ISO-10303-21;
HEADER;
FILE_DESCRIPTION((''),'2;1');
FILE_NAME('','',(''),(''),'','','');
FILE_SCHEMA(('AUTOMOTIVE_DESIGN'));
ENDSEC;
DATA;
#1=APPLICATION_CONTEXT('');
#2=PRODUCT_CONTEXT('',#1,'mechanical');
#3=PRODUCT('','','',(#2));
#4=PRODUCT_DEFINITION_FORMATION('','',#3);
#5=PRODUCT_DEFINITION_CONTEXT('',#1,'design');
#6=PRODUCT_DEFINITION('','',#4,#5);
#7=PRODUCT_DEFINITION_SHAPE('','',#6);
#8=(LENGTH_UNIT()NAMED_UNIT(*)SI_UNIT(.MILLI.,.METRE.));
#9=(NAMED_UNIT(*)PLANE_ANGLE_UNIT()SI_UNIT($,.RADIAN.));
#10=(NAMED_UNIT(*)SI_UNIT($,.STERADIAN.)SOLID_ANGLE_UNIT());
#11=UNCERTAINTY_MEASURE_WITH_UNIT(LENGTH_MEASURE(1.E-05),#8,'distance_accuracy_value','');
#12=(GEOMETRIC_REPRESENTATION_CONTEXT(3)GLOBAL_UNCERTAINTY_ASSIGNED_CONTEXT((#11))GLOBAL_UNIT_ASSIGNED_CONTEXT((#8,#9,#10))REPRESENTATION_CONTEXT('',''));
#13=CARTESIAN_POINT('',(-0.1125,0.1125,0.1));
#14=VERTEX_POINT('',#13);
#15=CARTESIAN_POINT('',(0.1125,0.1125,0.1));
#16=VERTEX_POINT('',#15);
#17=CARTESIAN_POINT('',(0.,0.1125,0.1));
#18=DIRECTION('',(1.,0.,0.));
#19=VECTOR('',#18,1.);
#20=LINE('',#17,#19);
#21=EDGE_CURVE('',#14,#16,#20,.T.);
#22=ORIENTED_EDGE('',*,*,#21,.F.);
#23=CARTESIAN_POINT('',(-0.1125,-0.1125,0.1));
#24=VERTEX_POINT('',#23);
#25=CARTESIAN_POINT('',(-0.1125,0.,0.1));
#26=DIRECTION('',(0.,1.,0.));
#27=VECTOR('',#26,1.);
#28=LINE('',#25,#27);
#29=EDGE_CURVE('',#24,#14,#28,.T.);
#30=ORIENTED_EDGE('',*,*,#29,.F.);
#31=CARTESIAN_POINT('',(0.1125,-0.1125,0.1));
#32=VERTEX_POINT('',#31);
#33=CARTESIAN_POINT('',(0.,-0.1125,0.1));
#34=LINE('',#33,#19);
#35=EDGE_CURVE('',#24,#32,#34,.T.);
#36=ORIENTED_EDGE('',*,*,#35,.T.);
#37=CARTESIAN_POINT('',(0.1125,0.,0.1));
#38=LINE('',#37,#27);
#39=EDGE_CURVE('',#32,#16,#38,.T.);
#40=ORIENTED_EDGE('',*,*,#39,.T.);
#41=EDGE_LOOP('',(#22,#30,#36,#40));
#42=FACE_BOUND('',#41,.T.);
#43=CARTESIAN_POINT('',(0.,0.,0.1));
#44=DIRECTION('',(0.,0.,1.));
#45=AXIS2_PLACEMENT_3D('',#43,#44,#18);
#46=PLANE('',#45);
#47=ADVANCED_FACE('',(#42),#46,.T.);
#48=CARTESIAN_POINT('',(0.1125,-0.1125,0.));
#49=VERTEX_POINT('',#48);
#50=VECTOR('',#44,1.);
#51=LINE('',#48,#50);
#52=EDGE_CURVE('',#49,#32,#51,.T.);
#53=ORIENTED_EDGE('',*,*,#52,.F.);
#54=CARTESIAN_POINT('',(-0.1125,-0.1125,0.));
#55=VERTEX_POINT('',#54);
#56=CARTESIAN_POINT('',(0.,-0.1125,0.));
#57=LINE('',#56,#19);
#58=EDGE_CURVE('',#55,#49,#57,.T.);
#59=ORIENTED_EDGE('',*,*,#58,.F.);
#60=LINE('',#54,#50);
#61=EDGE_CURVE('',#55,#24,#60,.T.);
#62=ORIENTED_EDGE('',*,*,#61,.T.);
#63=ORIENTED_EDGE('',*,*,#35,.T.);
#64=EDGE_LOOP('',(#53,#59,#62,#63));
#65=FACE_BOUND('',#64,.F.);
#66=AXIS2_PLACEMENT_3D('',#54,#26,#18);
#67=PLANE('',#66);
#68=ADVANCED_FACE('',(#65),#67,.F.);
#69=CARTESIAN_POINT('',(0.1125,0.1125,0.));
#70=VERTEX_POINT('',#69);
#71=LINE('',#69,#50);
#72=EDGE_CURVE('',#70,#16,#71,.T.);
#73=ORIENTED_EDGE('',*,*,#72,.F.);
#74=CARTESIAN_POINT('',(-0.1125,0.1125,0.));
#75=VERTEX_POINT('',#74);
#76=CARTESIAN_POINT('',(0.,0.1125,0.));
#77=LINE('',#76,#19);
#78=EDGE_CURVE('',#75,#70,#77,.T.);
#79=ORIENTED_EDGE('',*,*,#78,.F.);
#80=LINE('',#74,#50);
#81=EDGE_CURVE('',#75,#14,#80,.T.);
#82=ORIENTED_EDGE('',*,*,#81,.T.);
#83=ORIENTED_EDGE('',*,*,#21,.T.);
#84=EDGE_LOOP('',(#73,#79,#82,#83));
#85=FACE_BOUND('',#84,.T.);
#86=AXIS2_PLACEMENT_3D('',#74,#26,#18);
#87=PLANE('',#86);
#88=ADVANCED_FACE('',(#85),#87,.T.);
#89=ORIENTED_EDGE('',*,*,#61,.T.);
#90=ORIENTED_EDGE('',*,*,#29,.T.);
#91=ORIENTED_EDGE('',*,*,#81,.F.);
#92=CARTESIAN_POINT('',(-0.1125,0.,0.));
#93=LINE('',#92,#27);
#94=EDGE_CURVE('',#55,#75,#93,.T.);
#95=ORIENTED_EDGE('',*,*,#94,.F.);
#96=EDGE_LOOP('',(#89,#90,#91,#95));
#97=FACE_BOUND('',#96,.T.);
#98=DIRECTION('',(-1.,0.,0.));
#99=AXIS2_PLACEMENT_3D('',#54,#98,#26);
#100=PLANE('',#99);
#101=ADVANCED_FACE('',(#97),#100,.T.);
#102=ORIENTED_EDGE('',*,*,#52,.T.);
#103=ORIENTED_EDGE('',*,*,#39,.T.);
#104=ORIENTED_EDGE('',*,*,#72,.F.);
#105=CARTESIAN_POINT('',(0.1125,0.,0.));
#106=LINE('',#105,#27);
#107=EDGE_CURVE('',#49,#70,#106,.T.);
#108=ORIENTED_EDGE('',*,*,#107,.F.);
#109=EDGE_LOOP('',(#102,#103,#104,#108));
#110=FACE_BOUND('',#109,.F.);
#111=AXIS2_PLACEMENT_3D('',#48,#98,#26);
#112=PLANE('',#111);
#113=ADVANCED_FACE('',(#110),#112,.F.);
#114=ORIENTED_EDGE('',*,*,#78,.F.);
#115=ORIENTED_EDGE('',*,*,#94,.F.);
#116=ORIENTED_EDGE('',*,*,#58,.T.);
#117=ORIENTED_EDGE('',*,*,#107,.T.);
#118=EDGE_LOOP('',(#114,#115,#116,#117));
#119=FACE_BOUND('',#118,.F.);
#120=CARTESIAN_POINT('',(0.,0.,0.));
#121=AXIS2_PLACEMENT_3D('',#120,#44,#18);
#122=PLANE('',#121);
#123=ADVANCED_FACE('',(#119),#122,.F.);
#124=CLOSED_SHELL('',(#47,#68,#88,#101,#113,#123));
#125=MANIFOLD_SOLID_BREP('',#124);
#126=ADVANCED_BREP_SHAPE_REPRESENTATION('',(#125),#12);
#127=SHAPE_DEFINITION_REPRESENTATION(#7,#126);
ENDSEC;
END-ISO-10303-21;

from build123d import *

# Parameters (mm, degrees)
SKETCH_W  = 0.225
SKETCH_H  = 0.225
PAD_DEPTH = 0.1


with BuildPart() as part:
    # Sketch → Pad (new body)
    with BuildSketch(Plane.XY):
        Rectangle(SKETCH_W, SKETCH_H)
    extrude(amount=PAD_DEPTH)


solid = part.part
